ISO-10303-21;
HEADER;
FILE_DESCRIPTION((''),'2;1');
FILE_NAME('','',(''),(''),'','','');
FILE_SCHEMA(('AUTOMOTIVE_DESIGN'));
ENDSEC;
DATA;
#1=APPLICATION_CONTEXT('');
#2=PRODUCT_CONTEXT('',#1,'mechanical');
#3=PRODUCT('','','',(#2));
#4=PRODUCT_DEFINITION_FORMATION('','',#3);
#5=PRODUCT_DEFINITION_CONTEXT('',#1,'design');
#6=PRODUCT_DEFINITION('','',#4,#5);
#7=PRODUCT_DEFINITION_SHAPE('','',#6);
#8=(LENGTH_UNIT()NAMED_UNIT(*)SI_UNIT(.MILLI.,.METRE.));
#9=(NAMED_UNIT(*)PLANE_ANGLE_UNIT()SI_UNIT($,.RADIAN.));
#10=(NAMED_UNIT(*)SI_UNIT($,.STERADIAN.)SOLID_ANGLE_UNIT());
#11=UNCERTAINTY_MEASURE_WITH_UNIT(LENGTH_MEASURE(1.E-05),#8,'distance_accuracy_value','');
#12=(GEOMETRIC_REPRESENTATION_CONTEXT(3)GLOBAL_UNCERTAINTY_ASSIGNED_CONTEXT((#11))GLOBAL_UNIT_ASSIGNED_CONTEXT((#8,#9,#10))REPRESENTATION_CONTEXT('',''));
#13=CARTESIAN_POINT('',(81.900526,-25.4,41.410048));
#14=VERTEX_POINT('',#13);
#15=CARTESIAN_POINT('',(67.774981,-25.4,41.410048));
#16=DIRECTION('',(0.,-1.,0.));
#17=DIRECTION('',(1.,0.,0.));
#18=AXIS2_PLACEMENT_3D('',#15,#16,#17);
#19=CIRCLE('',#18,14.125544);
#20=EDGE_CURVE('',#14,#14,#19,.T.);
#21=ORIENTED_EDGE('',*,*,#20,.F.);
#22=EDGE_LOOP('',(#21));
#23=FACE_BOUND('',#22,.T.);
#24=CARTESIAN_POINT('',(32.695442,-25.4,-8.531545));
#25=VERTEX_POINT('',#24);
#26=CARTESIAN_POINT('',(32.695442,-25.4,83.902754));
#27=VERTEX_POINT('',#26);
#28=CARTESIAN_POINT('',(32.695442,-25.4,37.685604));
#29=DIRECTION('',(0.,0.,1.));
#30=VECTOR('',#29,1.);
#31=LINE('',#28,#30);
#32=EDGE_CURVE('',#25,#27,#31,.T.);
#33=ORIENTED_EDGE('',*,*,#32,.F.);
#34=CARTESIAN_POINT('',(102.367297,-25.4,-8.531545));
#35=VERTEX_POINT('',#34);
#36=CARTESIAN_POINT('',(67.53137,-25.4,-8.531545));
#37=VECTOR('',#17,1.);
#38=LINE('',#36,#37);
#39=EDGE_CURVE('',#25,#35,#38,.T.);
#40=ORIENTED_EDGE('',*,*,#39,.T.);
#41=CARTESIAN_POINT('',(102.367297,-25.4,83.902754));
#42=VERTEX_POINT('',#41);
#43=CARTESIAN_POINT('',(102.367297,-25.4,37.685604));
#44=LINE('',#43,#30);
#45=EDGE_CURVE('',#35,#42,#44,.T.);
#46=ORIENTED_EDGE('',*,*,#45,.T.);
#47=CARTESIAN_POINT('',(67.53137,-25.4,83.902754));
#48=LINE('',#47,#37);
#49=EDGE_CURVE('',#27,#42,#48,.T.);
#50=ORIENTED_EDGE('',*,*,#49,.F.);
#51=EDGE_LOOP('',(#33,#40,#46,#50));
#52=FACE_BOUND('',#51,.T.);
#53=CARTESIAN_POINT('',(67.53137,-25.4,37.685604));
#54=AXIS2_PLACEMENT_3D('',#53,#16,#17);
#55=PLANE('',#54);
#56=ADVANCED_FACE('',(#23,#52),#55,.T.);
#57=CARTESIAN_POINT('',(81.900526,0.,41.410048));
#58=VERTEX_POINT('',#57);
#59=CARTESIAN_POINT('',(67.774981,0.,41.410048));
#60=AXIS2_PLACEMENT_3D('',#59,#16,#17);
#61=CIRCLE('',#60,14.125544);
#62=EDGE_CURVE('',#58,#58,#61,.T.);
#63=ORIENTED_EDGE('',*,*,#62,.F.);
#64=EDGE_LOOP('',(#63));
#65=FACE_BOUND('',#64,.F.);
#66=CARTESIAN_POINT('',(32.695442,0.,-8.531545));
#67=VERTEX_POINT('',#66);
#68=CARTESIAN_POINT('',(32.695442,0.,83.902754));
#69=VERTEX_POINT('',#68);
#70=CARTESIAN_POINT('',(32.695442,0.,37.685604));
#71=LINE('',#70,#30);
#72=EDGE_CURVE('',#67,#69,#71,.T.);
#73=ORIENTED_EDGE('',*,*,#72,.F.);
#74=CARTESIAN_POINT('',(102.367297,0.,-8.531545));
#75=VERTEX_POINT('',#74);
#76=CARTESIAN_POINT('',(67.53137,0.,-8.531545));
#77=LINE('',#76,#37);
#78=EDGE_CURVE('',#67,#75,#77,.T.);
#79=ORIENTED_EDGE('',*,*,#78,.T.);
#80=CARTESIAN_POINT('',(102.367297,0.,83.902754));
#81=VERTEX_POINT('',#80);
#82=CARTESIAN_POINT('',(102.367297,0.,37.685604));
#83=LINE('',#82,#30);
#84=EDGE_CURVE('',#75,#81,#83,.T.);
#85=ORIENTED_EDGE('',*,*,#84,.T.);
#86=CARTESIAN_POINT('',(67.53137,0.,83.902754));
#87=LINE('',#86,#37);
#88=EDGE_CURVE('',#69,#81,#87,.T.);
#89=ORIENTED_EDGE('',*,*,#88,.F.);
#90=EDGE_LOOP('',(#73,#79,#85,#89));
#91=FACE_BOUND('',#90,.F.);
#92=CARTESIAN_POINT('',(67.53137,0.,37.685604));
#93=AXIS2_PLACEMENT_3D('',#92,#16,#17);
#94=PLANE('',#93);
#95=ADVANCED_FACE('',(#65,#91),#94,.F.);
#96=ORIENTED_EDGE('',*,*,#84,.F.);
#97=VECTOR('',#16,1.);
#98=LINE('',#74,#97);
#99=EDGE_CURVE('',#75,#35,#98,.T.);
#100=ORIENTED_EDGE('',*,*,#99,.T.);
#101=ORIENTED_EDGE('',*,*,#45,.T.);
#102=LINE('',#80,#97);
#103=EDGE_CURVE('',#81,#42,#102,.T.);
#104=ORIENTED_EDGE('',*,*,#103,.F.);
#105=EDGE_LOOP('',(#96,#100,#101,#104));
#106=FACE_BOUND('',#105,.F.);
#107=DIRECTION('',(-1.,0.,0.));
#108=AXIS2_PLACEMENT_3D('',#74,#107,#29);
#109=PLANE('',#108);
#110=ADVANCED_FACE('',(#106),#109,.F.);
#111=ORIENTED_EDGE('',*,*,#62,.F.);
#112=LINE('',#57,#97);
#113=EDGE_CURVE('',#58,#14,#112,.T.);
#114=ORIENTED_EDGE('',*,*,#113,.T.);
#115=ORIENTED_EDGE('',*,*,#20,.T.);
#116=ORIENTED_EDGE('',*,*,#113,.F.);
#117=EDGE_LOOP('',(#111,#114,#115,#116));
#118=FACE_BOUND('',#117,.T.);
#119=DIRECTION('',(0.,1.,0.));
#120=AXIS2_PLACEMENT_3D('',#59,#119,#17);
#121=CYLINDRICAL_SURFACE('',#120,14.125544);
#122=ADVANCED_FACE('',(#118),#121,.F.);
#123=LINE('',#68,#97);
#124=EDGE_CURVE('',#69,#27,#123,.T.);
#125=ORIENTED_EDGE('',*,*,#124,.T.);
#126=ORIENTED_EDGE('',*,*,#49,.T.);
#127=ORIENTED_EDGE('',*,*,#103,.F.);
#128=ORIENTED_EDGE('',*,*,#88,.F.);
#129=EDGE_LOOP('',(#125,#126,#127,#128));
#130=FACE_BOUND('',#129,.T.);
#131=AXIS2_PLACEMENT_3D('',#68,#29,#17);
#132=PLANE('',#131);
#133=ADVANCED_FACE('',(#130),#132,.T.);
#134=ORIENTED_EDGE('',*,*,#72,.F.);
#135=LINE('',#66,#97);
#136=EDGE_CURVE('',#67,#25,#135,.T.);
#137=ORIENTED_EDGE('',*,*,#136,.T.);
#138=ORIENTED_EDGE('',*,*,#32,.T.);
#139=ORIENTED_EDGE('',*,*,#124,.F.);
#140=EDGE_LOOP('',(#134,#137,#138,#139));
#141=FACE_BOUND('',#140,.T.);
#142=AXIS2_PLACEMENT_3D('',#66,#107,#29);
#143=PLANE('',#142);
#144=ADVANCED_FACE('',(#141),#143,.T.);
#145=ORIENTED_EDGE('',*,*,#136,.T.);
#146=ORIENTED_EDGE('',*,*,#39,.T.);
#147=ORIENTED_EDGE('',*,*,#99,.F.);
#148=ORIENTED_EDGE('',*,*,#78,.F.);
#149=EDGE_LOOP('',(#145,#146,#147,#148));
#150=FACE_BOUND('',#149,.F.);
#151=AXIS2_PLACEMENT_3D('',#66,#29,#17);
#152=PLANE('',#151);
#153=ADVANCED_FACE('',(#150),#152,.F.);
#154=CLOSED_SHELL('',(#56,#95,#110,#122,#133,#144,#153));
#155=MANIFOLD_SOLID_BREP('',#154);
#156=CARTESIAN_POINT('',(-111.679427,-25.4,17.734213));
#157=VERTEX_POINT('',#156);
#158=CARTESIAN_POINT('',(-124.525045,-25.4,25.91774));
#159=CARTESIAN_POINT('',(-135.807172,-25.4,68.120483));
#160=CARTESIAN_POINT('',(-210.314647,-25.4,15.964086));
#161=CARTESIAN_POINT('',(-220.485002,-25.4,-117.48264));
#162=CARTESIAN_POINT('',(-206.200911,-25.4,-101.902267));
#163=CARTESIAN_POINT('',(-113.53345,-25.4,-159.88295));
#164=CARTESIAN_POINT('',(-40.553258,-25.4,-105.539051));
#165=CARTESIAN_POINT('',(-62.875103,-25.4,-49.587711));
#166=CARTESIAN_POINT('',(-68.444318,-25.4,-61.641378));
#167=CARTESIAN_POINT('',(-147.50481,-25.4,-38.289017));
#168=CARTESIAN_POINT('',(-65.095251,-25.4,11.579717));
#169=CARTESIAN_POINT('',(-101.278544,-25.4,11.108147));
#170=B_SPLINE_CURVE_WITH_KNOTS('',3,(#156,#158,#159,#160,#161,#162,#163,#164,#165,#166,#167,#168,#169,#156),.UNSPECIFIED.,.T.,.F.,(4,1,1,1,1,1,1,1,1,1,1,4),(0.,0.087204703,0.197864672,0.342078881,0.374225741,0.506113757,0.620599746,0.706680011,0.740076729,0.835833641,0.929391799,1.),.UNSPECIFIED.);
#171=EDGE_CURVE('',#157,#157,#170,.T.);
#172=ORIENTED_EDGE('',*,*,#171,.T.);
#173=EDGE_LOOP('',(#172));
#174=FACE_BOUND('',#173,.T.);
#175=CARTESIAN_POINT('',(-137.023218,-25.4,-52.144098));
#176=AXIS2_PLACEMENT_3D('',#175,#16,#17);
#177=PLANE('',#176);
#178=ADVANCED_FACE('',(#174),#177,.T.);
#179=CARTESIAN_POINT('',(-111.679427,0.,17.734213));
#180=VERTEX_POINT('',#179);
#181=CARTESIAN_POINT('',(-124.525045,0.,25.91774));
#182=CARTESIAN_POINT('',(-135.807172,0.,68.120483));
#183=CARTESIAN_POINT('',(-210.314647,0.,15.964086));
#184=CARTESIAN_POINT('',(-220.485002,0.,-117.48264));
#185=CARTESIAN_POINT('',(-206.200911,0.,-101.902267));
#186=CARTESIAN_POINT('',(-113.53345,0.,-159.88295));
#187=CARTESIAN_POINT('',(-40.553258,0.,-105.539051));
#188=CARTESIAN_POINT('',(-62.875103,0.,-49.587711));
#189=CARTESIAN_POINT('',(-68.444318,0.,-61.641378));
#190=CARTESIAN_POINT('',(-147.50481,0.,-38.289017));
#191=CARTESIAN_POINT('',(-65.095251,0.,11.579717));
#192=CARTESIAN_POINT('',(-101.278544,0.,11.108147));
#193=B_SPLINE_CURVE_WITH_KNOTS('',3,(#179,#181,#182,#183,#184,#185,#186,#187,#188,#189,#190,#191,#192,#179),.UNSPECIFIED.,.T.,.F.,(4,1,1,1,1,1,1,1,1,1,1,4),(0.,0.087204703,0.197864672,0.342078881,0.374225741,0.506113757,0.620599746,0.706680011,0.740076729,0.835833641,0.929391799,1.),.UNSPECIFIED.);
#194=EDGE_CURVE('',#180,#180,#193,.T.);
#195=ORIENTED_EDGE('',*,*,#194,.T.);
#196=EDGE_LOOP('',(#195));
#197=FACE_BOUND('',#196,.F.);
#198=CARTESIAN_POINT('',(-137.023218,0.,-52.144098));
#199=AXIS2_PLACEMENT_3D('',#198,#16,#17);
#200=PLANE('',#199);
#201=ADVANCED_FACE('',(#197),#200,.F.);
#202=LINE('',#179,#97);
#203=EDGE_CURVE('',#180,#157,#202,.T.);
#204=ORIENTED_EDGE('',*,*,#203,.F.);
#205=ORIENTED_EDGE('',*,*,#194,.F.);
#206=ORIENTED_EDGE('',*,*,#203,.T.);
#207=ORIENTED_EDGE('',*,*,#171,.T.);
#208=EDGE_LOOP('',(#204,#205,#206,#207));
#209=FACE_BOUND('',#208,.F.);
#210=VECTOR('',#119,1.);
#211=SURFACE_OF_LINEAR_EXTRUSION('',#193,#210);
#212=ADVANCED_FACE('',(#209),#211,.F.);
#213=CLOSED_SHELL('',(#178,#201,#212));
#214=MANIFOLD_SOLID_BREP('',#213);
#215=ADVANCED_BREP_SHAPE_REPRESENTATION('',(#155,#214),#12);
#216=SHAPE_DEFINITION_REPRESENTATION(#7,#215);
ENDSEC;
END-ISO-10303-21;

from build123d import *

# Parameters (mm, degrees)
F1_DEPTH = 25.4
F2_W     = 69.6718543768
F2_H     = 92.4342991784
F2_R     = 14.1255442664
F3_DEPTH = 25.4


with BuildPart() as f1:
    # F0 (on Front) → F1 (new body)
    with BuildSketch(Plane.XZ):
        with BuildLine():
            add(Edge.make_bspline(
                [(-111.6794273257, 17.7342128009), (-124.5250446309, 25.9177399332), (-135.8071716747, 68.1204832479), (-210.3146466019, 15.9640863229), (-220.4850023798, -117.48264025), (-206.2009113425, -101.9022670281), (-113.5334500873, -159.882949909), (-40.5532581349, -105.5390505613), (-62.8751029523, -49.5877110156), (-68.4443178738, -61.6413779587), (-147.5048100843, -38.2890169812), (-65.0952511469, 11.5797169631), (-101.2785441891, 11.1081467017), (-111.6794273257, 17.7342128009)],
                knots=[0, 0, 0, 0, 0.0872047031, 0.1978646723, 0.3420788808, 0.3742257405, 0.5061137569, 0.620599746, 0.7066800108, 0.7400767289, 0.8358336414, 0.9293917992, 1, 1, 1, 1], degree=3))
        make_face()
    extrude(amount=F1_DEPTH)


with BuildPart() as f3:
    # F2 (on Front) → F3 (new body)
    with BuildSketch(Plane.XZ):
        with Locations((67.5313696265, 37.6856043003)):
            Rectangle(F2_W, F2_H)
        with Locations((67.7749812603, 41.4100475609)):
            Circle(F2_R, mode=Mode.SUBTRACT)
    extrude(amount=F3_DEPTH)


solid = Compound([f1.part, f3.part])
